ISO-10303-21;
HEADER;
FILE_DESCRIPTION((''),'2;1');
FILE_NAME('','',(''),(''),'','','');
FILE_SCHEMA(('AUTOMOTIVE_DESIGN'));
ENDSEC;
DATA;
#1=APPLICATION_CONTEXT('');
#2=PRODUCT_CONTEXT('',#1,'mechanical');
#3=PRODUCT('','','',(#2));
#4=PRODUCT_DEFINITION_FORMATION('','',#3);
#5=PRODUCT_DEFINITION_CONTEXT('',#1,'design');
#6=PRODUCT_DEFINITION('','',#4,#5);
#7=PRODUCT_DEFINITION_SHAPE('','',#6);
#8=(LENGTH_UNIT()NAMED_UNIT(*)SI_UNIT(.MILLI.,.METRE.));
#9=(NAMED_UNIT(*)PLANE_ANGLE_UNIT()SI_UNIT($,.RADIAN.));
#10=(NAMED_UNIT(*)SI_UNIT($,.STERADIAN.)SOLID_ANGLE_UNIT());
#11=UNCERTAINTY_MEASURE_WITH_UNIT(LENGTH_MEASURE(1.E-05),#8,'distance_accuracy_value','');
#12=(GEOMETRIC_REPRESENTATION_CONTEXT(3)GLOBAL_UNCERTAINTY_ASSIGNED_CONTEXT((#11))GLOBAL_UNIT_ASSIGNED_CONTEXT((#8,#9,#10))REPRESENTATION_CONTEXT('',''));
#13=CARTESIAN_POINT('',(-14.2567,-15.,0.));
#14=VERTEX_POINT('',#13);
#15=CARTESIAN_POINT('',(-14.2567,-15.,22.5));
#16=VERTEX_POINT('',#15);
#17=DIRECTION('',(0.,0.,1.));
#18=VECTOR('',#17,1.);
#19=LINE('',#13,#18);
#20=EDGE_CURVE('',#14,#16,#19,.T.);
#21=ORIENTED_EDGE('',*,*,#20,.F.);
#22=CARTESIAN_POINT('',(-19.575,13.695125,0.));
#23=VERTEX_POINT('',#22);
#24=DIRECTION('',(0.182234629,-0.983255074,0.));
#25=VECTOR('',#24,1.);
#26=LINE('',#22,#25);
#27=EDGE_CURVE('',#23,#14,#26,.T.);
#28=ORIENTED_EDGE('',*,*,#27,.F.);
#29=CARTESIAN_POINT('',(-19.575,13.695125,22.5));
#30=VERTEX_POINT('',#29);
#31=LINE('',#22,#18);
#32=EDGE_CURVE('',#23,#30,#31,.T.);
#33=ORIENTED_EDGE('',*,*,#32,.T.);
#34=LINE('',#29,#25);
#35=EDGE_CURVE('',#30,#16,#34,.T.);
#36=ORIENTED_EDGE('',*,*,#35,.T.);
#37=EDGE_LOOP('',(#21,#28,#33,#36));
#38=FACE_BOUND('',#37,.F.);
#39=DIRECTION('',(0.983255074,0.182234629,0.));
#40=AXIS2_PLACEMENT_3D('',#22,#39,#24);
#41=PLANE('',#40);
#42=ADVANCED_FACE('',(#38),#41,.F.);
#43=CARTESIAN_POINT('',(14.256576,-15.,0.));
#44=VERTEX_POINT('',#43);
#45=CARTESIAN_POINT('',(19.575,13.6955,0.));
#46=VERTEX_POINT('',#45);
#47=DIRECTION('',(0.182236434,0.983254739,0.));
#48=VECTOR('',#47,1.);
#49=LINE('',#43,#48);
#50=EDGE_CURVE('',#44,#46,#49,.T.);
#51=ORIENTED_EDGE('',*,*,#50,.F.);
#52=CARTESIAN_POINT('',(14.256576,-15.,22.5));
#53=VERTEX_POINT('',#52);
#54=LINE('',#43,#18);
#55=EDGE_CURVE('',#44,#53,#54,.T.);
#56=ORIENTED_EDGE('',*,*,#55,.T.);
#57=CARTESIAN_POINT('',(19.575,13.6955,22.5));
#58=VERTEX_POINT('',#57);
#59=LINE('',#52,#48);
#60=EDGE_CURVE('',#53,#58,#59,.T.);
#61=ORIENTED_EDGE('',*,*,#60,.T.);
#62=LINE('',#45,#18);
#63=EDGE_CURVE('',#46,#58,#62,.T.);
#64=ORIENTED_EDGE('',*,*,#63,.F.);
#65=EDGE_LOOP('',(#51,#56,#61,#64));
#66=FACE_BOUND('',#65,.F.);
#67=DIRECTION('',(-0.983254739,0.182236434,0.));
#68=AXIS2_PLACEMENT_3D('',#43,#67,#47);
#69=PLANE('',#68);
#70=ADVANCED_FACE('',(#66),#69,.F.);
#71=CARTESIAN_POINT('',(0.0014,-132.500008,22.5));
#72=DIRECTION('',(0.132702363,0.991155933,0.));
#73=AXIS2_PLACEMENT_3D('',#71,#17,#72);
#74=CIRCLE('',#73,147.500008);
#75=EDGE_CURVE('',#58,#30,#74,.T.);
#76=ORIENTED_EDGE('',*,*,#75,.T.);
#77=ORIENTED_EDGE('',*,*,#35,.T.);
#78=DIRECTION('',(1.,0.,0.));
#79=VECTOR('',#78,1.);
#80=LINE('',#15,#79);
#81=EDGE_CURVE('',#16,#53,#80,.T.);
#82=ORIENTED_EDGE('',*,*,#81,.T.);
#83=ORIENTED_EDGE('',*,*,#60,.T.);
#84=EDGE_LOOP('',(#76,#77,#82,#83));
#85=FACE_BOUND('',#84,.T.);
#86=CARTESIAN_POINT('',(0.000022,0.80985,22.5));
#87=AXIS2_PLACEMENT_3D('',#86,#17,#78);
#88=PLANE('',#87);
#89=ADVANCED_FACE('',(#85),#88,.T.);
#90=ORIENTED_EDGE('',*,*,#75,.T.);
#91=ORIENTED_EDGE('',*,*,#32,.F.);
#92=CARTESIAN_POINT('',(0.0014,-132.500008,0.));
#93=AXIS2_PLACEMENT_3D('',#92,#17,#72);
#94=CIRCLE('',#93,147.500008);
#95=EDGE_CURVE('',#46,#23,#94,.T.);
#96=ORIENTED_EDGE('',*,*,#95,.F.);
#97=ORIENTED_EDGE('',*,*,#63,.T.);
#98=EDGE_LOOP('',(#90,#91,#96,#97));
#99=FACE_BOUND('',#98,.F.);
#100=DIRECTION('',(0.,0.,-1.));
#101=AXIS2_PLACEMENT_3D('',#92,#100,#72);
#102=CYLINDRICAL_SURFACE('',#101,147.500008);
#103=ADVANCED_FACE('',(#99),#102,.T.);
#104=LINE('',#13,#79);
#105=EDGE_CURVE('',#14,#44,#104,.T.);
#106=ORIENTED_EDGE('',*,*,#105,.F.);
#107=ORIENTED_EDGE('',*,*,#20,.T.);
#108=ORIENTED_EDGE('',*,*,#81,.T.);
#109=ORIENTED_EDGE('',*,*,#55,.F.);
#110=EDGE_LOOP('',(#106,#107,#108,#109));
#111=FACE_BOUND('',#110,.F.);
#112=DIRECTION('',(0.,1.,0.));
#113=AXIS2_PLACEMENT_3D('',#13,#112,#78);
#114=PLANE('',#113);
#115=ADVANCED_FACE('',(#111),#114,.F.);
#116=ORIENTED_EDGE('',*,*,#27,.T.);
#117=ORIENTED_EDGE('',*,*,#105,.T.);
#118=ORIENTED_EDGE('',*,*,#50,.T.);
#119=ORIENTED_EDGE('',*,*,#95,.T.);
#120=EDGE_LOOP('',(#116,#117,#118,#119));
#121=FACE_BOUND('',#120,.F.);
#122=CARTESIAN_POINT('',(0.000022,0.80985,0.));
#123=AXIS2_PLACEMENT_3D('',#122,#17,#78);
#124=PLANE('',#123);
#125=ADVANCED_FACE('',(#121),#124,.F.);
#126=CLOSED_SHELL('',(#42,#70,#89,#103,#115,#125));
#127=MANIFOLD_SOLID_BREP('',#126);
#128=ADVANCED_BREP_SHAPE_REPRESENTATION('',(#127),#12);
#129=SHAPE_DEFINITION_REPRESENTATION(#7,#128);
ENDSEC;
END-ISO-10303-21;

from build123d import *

# Parameters (mm, degrees)
F1_DEPTH = 22.5


with BuildPart() as f1:
    # F0 (on Top) → F1 (new body)
    with BuildSketch(Plane.XY):
        with BuildLine():
            Line((-14.2567, -15), (14.256576, -15))
            Line((14.256576, -15), (19.575, 13.6955))
            ThreePointArc((19.575, 13.6955), (-1.3e-05, 15), (-19.575, 13.695125))
            Line((-19.575, 13.695125), (-14.2567, -15))
        make_face()
    extrude(amount=F1_DEPTH)


solid = f1.part
